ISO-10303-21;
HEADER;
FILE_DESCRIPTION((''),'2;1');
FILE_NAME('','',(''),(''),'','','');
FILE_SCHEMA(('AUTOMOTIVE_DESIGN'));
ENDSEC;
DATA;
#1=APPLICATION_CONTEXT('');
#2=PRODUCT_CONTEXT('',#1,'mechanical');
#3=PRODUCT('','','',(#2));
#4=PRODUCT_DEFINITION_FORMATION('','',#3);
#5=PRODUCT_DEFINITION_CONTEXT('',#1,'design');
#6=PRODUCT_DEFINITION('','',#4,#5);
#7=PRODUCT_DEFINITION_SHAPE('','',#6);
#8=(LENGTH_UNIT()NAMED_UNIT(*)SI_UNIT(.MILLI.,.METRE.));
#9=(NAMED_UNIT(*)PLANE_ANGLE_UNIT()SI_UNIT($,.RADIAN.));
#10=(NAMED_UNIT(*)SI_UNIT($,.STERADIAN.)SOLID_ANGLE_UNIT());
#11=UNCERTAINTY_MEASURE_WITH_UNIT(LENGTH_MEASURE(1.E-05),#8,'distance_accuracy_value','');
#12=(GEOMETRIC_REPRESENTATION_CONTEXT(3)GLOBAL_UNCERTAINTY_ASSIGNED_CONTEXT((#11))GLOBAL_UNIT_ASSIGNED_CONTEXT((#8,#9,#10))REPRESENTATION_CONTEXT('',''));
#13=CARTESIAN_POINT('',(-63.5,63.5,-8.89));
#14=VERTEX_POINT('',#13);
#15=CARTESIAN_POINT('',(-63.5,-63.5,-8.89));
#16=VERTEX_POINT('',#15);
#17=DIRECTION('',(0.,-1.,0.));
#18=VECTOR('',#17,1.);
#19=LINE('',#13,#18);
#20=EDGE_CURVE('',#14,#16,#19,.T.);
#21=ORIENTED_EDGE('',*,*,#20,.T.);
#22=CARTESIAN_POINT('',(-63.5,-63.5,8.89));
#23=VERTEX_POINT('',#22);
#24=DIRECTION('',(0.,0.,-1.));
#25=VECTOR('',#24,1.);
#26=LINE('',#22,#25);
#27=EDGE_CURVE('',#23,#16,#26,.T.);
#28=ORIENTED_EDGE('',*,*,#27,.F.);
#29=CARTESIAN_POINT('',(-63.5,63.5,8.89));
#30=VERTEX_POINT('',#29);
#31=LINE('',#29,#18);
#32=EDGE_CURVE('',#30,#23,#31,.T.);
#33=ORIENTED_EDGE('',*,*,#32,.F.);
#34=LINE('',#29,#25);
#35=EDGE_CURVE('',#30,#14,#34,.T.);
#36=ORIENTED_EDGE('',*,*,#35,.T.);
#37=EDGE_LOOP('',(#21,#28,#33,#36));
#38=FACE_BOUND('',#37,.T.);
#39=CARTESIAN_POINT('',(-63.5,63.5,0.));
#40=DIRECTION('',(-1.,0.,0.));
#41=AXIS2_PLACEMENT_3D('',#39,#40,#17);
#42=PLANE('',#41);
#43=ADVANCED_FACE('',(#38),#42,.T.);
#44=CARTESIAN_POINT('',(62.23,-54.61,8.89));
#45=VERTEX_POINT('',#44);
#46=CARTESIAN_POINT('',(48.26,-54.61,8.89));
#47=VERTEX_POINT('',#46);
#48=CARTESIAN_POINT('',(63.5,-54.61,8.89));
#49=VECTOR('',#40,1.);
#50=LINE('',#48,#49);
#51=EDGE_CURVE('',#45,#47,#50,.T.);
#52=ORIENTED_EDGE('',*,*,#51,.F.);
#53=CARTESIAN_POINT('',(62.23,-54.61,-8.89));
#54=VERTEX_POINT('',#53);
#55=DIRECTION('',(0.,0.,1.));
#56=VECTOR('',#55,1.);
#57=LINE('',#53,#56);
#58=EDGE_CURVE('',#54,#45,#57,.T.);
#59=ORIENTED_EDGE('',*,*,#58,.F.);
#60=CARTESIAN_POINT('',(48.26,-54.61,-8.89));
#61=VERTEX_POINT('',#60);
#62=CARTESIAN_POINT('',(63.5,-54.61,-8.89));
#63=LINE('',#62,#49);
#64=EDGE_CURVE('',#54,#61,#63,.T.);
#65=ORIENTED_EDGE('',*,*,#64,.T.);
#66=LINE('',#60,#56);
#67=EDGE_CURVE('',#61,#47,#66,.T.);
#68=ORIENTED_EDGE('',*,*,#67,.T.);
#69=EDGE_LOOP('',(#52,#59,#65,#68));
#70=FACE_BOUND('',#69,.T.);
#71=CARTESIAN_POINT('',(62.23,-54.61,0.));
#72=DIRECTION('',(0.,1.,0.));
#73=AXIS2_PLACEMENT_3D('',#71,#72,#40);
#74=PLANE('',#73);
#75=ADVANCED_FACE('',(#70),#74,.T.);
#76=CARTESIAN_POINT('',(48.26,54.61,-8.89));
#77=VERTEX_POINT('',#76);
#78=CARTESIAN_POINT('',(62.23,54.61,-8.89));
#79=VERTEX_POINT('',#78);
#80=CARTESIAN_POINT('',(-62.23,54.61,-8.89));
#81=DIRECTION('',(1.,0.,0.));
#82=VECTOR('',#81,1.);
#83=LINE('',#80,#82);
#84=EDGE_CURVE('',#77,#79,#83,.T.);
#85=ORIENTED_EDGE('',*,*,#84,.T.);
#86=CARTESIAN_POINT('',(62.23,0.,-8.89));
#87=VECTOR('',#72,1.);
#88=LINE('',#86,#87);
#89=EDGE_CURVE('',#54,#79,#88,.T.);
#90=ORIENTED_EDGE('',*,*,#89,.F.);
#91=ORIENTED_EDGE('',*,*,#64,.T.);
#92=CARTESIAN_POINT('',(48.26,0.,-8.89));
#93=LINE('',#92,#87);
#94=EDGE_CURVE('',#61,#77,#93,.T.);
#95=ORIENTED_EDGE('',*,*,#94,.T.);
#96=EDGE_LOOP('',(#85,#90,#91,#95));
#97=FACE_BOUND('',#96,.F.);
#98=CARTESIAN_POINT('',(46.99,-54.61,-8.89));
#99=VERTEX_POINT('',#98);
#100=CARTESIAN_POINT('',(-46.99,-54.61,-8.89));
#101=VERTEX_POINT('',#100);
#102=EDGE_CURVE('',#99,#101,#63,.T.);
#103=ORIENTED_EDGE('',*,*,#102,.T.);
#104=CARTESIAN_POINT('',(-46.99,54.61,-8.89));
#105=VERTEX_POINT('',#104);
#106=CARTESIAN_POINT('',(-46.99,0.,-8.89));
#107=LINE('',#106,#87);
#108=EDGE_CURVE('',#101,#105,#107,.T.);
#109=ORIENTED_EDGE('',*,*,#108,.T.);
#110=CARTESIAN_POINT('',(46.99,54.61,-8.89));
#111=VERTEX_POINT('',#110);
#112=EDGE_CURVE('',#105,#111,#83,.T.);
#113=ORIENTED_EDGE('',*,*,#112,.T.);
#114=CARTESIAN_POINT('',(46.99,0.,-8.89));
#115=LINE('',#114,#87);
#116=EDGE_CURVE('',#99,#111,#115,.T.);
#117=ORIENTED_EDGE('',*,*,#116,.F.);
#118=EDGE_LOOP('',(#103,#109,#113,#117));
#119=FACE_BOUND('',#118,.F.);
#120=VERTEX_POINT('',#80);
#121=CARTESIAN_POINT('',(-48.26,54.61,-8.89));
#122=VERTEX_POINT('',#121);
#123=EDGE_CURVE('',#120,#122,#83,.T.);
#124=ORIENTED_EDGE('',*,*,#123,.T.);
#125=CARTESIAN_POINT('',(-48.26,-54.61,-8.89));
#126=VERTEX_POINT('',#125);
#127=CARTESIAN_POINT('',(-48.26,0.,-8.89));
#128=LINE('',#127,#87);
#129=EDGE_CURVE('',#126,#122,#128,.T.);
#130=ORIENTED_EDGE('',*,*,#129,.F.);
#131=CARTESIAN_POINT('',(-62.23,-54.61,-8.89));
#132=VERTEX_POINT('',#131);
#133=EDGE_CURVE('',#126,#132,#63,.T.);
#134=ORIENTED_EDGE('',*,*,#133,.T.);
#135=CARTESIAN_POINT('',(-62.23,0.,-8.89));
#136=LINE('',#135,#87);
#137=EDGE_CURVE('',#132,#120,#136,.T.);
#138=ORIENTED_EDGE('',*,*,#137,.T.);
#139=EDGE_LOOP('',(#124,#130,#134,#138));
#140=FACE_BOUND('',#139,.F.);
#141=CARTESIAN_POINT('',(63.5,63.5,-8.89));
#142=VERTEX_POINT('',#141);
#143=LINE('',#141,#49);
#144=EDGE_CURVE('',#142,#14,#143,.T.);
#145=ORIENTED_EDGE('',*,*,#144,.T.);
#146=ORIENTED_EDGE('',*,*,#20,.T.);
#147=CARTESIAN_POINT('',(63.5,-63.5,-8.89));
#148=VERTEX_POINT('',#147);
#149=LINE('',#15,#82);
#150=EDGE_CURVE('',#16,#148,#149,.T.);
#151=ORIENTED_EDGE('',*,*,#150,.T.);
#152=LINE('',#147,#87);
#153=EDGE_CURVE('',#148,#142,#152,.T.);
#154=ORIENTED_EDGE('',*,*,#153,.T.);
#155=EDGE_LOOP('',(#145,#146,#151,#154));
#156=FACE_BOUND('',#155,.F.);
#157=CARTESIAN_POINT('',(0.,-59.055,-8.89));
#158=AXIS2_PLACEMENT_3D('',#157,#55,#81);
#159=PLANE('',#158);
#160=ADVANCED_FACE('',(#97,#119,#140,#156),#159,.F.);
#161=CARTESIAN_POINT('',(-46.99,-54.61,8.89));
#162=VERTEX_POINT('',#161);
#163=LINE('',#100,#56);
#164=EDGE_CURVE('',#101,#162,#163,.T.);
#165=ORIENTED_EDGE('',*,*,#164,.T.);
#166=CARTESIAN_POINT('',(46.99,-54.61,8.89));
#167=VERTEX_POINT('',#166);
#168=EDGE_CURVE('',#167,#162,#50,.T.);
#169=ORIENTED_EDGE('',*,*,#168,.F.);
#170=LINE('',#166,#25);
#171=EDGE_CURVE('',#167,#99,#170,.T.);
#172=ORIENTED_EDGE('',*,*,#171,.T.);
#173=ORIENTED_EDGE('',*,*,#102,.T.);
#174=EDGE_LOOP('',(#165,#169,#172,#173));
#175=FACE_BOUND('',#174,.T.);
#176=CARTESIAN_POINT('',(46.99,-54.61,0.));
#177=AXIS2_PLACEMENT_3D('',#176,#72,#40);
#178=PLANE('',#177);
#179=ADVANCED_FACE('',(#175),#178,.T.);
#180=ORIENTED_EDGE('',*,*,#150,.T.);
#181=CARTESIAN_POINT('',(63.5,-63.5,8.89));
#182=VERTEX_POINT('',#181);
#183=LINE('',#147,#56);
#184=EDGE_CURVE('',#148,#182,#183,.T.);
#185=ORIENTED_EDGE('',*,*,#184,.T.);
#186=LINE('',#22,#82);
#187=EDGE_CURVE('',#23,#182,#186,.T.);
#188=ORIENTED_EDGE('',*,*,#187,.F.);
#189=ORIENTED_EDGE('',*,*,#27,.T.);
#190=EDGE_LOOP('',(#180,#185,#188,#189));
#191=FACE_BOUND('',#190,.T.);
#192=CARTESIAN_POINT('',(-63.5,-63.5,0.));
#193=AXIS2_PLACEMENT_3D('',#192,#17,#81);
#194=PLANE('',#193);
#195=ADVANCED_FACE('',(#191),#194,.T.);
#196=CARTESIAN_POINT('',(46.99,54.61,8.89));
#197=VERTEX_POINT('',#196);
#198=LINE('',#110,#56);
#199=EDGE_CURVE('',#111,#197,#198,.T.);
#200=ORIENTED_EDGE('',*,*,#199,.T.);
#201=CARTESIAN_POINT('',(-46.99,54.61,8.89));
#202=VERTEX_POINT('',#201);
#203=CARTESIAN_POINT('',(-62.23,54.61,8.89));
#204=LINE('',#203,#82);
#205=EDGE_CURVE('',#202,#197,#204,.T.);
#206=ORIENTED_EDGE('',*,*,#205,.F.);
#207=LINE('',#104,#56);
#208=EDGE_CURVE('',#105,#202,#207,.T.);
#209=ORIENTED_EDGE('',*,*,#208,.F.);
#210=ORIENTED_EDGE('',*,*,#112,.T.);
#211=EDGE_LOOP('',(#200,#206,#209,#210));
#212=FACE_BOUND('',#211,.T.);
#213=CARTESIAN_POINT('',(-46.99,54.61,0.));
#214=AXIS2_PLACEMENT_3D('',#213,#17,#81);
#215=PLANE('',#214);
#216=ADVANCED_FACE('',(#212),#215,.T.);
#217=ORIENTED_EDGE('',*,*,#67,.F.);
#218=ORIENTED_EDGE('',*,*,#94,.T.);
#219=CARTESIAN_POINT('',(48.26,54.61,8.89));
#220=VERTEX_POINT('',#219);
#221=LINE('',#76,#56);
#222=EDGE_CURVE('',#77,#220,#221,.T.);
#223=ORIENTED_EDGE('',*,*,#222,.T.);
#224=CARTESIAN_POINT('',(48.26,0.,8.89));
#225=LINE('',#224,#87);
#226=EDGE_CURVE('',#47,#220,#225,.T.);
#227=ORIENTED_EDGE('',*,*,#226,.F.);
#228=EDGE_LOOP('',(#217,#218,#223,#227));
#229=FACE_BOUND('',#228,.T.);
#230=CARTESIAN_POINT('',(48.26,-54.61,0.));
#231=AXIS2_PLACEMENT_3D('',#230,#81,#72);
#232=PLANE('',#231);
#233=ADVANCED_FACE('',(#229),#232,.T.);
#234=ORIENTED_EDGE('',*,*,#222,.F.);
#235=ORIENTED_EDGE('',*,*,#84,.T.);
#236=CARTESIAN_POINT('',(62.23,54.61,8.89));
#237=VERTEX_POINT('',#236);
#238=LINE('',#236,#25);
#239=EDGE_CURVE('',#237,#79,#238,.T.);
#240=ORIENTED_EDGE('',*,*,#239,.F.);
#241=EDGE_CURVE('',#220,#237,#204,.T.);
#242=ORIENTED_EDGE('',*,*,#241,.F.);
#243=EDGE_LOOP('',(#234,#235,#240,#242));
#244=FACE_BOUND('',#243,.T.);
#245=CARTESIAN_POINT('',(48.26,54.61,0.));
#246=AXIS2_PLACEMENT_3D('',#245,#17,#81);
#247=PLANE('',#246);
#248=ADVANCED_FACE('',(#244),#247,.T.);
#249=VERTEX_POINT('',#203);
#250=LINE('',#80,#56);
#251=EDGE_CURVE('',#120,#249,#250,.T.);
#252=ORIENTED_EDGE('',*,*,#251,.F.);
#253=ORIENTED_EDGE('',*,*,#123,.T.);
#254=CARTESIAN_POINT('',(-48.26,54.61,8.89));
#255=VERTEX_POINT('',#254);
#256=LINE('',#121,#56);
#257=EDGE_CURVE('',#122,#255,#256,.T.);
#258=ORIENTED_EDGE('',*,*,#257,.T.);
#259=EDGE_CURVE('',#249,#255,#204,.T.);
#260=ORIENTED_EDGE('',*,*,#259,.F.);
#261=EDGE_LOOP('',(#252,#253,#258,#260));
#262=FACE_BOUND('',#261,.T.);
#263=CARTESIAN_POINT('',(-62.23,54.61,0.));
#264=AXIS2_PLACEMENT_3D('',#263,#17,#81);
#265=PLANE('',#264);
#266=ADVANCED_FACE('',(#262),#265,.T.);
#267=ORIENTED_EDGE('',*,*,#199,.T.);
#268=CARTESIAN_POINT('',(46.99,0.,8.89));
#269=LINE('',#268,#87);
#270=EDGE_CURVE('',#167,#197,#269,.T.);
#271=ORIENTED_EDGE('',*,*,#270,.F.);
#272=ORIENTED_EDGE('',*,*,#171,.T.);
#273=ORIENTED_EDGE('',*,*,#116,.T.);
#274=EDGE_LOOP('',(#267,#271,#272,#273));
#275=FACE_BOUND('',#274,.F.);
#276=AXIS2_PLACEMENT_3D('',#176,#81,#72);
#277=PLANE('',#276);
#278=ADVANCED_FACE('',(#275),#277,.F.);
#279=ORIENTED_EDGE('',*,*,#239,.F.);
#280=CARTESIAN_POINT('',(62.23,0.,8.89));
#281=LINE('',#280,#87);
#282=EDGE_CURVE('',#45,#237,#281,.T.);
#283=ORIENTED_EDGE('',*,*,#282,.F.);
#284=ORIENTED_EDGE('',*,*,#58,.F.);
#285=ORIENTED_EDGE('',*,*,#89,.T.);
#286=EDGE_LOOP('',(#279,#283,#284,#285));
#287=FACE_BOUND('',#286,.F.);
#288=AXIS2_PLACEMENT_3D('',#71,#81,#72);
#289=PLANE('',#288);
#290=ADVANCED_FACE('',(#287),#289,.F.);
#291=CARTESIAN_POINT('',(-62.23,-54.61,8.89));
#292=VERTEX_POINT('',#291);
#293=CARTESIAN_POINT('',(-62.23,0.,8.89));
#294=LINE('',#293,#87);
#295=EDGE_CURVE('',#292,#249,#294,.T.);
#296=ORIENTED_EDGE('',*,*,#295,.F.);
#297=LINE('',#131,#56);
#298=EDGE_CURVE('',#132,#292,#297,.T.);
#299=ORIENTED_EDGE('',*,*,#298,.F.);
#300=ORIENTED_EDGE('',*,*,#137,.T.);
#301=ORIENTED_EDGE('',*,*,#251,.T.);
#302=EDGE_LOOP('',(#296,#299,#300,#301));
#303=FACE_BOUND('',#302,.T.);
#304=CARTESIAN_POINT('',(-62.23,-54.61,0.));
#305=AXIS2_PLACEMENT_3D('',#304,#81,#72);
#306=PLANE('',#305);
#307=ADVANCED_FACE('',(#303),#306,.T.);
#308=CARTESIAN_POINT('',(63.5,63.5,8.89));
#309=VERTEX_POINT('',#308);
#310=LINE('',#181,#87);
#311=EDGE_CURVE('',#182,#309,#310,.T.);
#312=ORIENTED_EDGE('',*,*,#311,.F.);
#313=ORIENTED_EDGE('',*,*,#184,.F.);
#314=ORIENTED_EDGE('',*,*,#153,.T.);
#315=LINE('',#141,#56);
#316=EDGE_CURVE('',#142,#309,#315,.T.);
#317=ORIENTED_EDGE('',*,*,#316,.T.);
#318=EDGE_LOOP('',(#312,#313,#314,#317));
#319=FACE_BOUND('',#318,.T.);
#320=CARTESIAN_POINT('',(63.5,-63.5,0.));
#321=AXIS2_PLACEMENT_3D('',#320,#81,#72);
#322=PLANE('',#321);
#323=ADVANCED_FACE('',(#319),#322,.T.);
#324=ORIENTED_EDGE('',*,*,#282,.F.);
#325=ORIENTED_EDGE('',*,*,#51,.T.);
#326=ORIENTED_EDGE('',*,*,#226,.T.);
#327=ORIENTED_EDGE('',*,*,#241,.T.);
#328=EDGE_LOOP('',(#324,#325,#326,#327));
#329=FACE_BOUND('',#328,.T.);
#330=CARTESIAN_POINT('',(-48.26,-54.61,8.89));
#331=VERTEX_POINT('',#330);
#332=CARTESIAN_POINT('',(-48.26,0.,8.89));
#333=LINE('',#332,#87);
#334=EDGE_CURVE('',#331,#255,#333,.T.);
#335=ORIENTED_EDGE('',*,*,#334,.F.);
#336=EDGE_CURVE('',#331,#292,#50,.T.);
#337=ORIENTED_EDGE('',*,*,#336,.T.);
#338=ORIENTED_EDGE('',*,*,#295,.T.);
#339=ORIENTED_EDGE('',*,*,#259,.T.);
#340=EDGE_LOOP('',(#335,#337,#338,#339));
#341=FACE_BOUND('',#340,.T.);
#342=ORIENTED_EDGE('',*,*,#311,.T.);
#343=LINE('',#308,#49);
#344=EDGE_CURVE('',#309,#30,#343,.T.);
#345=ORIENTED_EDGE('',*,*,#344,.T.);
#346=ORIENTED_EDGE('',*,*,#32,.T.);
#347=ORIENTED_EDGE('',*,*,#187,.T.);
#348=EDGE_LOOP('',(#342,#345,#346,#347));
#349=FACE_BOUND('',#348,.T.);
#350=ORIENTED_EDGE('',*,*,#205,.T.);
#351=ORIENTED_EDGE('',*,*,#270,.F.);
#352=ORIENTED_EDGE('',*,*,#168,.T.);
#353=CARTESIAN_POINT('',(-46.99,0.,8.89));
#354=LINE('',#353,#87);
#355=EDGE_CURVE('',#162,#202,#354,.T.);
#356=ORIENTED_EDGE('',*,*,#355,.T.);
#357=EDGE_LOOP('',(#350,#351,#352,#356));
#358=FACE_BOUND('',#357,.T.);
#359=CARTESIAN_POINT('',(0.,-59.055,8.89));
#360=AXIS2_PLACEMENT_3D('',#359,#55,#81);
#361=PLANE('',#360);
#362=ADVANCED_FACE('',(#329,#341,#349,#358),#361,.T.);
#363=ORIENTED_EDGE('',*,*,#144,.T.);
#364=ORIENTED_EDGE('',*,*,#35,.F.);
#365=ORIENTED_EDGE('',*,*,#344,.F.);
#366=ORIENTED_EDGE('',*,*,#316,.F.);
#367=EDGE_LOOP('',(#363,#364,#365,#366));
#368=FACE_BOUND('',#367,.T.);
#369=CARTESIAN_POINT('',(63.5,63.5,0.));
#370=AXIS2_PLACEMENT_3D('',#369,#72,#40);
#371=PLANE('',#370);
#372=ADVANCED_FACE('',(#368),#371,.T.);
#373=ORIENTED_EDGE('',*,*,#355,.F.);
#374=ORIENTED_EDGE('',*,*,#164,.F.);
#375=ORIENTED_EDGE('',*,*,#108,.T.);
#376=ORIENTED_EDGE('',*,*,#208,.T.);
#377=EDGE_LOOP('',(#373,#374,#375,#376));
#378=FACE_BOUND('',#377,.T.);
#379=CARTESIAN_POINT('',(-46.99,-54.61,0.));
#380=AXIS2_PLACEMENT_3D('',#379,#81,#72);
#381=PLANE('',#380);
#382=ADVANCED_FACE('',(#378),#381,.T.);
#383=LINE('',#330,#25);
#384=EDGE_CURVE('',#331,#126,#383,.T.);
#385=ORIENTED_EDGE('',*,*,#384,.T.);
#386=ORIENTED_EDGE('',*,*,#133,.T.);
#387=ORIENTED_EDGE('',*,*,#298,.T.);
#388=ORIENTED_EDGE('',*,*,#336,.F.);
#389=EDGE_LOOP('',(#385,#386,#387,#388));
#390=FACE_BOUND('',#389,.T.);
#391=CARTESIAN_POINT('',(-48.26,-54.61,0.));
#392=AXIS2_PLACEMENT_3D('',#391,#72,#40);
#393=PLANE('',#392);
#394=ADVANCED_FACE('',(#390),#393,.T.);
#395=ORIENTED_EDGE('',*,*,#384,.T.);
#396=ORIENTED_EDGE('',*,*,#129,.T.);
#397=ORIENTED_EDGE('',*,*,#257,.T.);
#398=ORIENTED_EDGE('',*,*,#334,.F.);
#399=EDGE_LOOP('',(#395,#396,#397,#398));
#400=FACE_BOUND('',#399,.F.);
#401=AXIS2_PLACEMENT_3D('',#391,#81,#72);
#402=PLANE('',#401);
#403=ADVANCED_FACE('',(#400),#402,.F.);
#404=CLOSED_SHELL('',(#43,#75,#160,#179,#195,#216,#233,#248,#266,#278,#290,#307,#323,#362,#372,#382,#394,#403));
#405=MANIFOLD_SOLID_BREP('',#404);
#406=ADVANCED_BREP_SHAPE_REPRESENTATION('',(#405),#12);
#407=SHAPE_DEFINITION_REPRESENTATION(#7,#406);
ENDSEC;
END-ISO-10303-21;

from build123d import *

# Parameters (mm, degrees)
F0_W     = 1.27
F0_H     = 109.22
F1_DEPTH = 8.89


with BuildPart() as f1:
    # F0 (on Top) → F1 (new body, symmetric)
    with BuildSketch(Plane.XY):
        Polygon((-63.5, -63.5), (63.5, -63.5), (63.5, -54.61), (62.23, -54.61), (48.26, -54.61), (46.99, -54.61), (-46.99, -54.61), (-48.26, -54.61), (-62.23, -54.61), (-63.5, -54.61), align=None)
        with Locations((62.865, 0)):
            Rectangle(F0_W, F0_H)
        with Locations((-62.865, 0)):
            Rectangle(F0_W, F0_H)
        Polygon((62.23, 54.61), (63.5, 54.61), (63.5, 63.5), (-63.5, 63.5), (-63.5, 54.61), (-62.23, 54.61), (-48.26, 54.61), (-46.99, 54.61), (46.99, 54.61), (48.26, 54.61), align=None)
        with Locations((-47.625, 0)):
            Rectangle(F0_W, F0_H)
        with Locations((47.625, 0)):
            Rectangle(F0_W, F0_H)
    extrude(amount=F1_DEPTH, both=True)


solid = f1.part
